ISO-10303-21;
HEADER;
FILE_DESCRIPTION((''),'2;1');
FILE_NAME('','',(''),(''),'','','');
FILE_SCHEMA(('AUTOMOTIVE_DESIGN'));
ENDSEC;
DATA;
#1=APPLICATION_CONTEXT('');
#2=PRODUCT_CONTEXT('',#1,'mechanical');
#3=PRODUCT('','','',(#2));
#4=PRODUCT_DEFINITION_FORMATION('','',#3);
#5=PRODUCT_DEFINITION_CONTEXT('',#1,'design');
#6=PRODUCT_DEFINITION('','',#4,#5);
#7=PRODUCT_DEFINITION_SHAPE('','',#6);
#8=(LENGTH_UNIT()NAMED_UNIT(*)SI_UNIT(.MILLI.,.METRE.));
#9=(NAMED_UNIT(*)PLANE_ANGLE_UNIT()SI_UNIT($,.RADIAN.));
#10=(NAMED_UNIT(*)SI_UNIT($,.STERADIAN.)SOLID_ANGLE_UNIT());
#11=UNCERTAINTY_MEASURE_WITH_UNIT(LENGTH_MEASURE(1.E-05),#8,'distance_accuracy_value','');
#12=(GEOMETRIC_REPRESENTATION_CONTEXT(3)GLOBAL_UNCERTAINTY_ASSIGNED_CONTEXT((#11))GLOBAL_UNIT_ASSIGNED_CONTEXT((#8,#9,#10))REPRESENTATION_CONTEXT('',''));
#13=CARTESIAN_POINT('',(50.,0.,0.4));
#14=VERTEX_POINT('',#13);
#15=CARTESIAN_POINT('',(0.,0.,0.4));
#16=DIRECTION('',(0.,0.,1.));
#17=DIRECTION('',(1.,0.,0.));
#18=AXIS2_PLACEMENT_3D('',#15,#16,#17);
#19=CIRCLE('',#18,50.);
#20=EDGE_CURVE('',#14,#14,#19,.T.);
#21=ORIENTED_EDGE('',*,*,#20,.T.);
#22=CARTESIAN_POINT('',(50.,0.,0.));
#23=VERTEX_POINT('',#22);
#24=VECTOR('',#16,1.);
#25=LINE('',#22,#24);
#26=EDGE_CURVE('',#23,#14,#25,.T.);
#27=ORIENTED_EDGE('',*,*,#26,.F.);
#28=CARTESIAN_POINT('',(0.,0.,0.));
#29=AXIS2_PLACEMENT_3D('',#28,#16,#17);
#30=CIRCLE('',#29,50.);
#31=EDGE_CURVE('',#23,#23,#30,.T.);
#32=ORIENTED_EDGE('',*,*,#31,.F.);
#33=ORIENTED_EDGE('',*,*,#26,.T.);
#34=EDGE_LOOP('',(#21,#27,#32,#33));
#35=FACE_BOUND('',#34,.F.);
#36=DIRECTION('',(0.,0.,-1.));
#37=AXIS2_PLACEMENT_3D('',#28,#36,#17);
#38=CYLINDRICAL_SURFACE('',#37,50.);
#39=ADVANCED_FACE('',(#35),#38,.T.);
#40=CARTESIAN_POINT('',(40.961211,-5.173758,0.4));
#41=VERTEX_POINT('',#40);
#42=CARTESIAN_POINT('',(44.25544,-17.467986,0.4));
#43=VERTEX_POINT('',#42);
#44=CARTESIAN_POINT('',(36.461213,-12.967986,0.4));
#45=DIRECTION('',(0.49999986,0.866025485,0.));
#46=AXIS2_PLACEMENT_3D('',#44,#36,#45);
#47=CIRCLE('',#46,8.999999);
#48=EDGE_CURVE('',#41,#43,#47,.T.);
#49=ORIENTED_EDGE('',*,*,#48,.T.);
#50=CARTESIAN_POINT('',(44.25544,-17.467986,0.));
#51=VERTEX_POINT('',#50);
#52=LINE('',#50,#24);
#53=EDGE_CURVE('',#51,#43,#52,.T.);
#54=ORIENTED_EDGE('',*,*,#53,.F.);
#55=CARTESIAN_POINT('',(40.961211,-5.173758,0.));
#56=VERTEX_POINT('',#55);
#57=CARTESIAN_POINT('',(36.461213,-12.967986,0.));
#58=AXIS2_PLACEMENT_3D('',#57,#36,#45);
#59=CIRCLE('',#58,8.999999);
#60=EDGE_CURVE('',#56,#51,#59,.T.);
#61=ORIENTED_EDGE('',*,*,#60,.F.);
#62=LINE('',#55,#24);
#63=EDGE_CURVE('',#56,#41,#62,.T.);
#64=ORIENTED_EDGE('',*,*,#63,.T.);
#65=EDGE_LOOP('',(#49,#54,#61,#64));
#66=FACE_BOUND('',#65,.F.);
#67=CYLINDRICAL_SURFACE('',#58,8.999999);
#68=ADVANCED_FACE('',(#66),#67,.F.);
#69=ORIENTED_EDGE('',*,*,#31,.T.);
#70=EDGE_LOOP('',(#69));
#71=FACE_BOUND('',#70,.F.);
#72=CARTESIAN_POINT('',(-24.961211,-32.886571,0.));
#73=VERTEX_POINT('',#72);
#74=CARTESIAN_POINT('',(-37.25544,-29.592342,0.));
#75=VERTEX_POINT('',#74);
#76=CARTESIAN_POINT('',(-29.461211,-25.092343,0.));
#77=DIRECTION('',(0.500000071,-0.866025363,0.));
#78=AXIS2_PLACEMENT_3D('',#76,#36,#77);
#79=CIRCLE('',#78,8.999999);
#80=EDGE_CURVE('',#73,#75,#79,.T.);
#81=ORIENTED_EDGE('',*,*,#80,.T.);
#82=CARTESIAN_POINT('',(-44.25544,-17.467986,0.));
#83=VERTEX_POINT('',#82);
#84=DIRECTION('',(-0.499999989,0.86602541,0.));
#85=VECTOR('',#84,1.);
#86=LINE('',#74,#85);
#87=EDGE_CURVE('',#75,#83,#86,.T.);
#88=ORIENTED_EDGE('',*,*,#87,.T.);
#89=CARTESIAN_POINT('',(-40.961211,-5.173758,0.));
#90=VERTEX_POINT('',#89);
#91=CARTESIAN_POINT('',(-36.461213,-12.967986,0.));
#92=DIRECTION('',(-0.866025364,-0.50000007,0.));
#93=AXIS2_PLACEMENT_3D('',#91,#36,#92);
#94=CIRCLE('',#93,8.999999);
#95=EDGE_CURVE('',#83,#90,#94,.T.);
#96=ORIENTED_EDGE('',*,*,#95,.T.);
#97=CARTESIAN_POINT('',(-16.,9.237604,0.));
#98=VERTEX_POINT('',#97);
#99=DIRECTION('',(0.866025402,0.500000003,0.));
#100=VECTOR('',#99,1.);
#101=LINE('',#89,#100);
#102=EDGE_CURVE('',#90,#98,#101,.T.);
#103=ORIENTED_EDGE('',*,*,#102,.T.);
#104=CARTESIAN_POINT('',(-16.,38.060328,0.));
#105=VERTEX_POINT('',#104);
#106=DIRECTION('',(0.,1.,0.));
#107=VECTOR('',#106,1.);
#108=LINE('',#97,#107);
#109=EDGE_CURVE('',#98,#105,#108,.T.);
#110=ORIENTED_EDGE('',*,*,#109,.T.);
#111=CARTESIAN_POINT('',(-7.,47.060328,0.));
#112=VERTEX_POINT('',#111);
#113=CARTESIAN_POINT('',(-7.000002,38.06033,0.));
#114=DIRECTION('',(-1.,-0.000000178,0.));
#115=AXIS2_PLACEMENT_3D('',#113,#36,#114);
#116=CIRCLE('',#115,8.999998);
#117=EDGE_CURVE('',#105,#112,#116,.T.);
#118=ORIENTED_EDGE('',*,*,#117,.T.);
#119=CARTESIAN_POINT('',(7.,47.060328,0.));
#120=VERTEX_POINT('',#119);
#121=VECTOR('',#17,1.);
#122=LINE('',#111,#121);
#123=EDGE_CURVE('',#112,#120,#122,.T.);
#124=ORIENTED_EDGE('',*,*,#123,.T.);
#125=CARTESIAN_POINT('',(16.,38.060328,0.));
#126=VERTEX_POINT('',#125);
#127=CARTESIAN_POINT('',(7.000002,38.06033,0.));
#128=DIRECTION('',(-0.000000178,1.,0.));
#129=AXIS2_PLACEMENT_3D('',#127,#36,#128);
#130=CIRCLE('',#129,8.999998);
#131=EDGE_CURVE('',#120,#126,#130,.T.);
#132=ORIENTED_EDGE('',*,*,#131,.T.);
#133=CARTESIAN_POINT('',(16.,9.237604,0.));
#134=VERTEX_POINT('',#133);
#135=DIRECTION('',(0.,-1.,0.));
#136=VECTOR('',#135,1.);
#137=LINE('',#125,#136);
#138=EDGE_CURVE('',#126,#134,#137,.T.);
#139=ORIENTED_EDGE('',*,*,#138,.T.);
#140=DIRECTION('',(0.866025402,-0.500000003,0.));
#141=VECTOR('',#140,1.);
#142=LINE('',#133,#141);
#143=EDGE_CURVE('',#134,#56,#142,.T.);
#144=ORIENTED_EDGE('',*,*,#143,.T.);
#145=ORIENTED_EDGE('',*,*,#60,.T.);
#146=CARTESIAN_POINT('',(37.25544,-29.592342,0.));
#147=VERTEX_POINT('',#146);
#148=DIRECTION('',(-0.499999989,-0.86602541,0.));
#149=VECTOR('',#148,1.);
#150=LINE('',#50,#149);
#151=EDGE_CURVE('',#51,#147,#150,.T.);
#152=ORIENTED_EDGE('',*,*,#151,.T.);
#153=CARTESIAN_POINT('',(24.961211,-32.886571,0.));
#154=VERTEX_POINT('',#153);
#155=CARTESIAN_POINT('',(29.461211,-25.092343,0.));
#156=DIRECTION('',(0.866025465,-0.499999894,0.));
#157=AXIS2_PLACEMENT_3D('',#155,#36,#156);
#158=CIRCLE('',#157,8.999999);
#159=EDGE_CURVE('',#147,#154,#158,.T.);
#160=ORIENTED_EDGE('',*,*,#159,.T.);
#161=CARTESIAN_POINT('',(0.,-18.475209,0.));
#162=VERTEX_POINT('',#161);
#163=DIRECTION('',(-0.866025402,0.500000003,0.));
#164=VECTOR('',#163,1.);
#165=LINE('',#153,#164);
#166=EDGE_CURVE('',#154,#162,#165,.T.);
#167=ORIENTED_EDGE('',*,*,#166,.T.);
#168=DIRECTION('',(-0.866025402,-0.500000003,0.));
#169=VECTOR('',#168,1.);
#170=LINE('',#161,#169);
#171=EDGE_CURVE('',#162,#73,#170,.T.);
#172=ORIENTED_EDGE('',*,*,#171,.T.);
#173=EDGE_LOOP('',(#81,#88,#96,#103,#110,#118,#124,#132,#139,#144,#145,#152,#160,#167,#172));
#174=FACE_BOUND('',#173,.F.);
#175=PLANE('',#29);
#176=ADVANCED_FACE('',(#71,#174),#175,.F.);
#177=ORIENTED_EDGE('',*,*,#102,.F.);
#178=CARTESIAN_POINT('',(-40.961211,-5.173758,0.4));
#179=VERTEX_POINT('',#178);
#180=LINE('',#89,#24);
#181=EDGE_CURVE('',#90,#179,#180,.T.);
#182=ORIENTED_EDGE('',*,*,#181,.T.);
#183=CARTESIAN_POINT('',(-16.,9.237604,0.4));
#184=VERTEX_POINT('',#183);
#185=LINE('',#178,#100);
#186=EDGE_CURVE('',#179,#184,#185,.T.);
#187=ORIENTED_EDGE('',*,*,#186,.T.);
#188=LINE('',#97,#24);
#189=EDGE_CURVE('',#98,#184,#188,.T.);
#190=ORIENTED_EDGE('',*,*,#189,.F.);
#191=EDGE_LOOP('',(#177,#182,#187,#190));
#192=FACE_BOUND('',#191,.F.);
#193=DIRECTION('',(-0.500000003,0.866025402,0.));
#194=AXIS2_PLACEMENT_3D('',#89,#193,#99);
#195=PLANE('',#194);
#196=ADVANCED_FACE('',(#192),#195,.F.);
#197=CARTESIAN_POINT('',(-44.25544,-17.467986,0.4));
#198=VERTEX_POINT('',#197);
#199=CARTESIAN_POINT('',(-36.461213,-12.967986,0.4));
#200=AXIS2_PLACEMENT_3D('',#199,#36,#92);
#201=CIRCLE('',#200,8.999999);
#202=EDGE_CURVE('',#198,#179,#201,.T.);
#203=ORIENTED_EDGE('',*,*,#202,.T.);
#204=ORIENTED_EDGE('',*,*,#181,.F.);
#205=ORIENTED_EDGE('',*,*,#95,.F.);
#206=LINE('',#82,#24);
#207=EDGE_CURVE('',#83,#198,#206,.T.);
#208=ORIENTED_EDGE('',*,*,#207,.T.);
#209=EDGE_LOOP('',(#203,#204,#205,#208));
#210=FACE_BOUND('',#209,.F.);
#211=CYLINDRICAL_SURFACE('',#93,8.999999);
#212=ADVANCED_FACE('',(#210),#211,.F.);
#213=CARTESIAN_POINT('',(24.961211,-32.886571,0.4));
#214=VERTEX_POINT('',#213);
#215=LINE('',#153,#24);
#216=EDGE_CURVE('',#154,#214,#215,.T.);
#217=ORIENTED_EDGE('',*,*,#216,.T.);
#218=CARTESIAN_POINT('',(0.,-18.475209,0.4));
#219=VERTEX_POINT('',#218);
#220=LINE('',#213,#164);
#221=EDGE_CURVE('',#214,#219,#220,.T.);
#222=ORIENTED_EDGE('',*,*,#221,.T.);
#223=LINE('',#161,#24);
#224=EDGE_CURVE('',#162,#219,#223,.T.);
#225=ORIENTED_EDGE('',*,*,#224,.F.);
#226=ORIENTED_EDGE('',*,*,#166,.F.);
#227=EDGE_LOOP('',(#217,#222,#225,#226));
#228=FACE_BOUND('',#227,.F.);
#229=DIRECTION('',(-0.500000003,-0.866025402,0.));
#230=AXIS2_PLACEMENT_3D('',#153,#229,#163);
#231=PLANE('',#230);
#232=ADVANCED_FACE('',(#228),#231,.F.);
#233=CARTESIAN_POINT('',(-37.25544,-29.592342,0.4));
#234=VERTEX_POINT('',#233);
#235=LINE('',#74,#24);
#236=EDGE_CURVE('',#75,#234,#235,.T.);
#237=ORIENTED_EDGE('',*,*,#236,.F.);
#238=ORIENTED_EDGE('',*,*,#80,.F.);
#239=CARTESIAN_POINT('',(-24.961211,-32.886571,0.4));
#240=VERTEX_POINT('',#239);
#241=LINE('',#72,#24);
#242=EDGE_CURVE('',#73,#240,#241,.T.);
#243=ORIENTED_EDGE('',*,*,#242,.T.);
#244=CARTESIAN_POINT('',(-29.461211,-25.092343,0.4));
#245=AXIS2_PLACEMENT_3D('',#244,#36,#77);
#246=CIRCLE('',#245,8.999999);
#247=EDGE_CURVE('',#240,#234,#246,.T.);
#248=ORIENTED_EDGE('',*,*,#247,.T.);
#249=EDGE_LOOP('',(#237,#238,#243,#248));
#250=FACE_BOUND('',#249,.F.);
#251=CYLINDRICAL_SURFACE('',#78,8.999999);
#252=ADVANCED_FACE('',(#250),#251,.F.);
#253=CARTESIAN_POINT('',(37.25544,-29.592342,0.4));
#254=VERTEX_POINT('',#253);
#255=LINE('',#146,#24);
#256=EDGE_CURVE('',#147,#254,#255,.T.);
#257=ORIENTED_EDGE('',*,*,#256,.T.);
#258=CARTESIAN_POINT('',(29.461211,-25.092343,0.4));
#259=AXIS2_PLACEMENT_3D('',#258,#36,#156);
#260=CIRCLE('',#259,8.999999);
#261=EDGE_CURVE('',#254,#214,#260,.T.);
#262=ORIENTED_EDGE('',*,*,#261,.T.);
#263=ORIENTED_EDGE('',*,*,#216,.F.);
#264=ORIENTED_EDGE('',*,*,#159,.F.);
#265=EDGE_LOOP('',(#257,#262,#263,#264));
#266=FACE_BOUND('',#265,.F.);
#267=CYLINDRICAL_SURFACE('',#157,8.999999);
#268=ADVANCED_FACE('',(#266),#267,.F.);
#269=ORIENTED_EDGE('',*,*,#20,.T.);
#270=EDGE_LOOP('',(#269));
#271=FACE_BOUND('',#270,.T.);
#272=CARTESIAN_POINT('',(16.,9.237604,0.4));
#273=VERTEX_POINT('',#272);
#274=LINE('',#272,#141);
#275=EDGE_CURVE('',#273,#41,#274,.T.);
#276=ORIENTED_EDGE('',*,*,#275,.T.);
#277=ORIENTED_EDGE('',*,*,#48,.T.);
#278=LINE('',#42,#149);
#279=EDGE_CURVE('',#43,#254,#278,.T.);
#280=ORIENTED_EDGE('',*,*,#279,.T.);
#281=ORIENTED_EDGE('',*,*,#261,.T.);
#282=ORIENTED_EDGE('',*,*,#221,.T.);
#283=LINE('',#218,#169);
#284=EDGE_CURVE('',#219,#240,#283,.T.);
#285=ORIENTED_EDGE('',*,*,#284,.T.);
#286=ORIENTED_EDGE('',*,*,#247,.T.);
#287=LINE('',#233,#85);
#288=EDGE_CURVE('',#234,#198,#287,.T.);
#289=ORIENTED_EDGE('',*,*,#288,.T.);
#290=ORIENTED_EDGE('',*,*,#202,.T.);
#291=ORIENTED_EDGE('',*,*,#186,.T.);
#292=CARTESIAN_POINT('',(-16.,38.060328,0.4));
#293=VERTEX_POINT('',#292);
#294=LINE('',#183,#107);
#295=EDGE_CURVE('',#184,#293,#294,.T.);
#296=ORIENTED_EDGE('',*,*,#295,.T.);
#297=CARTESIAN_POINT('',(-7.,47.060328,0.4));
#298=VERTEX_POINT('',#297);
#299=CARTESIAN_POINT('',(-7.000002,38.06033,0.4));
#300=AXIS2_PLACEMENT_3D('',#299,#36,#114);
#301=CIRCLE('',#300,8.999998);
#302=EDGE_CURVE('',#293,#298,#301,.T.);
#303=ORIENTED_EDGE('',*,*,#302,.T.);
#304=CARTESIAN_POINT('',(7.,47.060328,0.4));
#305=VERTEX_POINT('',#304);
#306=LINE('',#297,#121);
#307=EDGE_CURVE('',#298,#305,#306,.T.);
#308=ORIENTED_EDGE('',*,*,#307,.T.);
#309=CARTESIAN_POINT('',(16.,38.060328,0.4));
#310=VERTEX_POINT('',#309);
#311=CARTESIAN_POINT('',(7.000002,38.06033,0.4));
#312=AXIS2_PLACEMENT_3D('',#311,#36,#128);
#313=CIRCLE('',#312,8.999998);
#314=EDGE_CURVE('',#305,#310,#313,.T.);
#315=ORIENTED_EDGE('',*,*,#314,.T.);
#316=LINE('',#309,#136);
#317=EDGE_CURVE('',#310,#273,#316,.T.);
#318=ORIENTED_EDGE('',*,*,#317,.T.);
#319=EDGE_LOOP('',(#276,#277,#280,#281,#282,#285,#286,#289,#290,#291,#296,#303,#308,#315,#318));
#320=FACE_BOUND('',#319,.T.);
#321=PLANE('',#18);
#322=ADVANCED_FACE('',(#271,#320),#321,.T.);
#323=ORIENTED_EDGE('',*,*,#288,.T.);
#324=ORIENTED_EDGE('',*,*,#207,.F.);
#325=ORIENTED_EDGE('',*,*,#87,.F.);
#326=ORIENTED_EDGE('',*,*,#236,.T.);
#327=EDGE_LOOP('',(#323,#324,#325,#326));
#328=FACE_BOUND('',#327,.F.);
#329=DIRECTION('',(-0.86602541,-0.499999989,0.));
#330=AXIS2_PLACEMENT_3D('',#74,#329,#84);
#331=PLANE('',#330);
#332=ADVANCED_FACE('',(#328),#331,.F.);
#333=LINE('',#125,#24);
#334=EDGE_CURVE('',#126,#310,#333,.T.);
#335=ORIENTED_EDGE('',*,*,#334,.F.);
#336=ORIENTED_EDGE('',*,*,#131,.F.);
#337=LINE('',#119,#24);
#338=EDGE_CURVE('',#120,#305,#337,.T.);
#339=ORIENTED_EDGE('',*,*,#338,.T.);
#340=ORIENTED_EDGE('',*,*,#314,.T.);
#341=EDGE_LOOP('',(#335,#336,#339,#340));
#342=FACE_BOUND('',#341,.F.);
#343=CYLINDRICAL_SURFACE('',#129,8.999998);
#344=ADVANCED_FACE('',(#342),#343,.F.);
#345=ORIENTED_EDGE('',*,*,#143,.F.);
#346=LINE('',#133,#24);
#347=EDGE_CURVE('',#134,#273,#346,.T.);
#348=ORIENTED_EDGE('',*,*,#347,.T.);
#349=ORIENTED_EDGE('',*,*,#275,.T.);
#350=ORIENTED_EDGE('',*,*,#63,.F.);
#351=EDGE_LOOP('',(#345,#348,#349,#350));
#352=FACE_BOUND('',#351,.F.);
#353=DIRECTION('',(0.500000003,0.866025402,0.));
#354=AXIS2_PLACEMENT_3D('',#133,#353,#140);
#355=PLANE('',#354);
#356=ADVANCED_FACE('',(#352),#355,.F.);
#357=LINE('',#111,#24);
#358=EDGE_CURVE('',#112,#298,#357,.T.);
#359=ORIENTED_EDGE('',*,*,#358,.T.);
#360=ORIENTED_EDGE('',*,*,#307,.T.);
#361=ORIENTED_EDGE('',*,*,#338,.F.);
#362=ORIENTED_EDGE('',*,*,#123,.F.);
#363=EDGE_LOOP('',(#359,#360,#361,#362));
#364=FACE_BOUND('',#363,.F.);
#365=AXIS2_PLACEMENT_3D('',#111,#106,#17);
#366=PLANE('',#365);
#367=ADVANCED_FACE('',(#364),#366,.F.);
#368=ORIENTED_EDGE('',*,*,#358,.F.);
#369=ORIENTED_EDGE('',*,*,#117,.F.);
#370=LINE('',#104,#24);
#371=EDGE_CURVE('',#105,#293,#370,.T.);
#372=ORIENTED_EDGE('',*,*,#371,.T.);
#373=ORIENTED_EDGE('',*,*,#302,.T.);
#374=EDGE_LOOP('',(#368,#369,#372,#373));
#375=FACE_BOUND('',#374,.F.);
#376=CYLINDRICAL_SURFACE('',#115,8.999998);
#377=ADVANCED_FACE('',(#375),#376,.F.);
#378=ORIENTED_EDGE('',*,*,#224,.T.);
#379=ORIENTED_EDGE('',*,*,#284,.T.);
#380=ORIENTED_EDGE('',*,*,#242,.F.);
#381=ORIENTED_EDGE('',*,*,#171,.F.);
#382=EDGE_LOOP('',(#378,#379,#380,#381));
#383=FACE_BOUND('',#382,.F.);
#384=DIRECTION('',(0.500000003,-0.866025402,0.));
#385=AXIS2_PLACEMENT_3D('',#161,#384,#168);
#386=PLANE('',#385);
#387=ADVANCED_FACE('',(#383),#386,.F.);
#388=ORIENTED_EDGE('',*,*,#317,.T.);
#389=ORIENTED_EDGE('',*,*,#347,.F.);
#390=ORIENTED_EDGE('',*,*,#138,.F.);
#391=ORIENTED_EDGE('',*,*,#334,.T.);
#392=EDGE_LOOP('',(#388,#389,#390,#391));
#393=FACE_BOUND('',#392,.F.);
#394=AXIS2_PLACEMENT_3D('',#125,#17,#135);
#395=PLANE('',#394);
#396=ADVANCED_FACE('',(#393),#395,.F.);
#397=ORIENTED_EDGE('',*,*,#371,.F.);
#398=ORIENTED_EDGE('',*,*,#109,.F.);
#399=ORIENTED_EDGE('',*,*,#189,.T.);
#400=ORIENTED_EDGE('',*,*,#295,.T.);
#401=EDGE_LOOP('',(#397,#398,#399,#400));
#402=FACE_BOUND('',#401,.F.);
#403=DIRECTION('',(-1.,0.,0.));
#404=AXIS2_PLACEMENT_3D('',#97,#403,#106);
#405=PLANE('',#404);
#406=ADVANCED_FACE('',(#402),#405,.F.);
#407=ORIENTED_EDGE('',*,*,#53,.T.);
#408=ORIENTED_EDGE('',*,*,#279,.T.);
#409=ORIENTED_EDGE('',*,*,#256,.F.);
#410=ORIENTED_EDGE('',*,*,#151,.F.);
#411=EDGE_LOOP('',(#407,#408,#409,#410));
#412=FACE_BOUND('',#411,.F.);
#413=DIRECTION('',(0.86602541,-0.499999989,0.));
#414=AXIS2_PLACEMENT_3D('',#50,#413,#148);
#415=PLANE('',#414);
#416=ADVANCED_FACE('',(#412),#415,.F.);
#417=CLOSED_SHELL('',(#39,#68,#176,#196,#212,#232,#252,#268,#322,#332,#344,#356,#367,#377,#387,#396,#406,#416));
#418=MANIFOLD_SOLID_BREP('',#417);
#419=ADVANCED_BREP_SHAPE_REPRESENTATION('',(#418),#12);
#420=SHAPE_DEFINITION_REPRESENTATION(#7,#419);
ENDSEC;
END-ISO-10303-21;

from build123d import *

# Parameters (mm, degrees)
F1_R     = 50
F2_DEPTH = 0.4


with BuildPart() as f2:
    # F1 (on Top) → F2 (new body)
    with BuildSketch(Plane.XY):
        Circle(F1_R)
        with BuildLine():
            Line((-40.961211, -5.173758), (-16, 9.237604))
            Line((-16, 9.237604), (-16, 38.060328))
            ThreePointArc((-16, 38.060328), (-13.363961, 44.42429), (-7, 47.060328))
            Line((-7, 47.060328), (7, 47.060328))
            ThreePointArc((7, 47.060328), (13.363961, 44.42429), (16, 38.060328))
            Line((16, 38.060328), (16, 9.237604))
            Line((16, 9.237604), (40.961211, -5.173758))
            ThreePointArc((40.961211, -5.173758), (45.154544, -10.638615), (44.25544, -17.467986))
            Line((44.25544, -17.467986), (37.25544, -29.592342))
            ThreePointArc((37.25544, -29.592342), (31.790583, -33.785675), (24.961211, -32.886571))
            Line((24.961211, -32.886571), (0, -18.475209))
            Line((0, -18.475209), (-24.961211, -32.886571))
            ThreePointArc((-24.961211, -32.886571), (-31.790583, -33.785675), (-37.25544, -29.592342))
            Line((-37.25544, -29.592342), (-44.25544, -17.467986))
            ThreePointArc((-44.25544, -17.467986), (-45.154544, -10.638615), (-40.961211, -5.173758))
        make_face(mode=Mode.SUBTRACT)
    extrude(amount=F2_DEPTH)


solid = f2.part
